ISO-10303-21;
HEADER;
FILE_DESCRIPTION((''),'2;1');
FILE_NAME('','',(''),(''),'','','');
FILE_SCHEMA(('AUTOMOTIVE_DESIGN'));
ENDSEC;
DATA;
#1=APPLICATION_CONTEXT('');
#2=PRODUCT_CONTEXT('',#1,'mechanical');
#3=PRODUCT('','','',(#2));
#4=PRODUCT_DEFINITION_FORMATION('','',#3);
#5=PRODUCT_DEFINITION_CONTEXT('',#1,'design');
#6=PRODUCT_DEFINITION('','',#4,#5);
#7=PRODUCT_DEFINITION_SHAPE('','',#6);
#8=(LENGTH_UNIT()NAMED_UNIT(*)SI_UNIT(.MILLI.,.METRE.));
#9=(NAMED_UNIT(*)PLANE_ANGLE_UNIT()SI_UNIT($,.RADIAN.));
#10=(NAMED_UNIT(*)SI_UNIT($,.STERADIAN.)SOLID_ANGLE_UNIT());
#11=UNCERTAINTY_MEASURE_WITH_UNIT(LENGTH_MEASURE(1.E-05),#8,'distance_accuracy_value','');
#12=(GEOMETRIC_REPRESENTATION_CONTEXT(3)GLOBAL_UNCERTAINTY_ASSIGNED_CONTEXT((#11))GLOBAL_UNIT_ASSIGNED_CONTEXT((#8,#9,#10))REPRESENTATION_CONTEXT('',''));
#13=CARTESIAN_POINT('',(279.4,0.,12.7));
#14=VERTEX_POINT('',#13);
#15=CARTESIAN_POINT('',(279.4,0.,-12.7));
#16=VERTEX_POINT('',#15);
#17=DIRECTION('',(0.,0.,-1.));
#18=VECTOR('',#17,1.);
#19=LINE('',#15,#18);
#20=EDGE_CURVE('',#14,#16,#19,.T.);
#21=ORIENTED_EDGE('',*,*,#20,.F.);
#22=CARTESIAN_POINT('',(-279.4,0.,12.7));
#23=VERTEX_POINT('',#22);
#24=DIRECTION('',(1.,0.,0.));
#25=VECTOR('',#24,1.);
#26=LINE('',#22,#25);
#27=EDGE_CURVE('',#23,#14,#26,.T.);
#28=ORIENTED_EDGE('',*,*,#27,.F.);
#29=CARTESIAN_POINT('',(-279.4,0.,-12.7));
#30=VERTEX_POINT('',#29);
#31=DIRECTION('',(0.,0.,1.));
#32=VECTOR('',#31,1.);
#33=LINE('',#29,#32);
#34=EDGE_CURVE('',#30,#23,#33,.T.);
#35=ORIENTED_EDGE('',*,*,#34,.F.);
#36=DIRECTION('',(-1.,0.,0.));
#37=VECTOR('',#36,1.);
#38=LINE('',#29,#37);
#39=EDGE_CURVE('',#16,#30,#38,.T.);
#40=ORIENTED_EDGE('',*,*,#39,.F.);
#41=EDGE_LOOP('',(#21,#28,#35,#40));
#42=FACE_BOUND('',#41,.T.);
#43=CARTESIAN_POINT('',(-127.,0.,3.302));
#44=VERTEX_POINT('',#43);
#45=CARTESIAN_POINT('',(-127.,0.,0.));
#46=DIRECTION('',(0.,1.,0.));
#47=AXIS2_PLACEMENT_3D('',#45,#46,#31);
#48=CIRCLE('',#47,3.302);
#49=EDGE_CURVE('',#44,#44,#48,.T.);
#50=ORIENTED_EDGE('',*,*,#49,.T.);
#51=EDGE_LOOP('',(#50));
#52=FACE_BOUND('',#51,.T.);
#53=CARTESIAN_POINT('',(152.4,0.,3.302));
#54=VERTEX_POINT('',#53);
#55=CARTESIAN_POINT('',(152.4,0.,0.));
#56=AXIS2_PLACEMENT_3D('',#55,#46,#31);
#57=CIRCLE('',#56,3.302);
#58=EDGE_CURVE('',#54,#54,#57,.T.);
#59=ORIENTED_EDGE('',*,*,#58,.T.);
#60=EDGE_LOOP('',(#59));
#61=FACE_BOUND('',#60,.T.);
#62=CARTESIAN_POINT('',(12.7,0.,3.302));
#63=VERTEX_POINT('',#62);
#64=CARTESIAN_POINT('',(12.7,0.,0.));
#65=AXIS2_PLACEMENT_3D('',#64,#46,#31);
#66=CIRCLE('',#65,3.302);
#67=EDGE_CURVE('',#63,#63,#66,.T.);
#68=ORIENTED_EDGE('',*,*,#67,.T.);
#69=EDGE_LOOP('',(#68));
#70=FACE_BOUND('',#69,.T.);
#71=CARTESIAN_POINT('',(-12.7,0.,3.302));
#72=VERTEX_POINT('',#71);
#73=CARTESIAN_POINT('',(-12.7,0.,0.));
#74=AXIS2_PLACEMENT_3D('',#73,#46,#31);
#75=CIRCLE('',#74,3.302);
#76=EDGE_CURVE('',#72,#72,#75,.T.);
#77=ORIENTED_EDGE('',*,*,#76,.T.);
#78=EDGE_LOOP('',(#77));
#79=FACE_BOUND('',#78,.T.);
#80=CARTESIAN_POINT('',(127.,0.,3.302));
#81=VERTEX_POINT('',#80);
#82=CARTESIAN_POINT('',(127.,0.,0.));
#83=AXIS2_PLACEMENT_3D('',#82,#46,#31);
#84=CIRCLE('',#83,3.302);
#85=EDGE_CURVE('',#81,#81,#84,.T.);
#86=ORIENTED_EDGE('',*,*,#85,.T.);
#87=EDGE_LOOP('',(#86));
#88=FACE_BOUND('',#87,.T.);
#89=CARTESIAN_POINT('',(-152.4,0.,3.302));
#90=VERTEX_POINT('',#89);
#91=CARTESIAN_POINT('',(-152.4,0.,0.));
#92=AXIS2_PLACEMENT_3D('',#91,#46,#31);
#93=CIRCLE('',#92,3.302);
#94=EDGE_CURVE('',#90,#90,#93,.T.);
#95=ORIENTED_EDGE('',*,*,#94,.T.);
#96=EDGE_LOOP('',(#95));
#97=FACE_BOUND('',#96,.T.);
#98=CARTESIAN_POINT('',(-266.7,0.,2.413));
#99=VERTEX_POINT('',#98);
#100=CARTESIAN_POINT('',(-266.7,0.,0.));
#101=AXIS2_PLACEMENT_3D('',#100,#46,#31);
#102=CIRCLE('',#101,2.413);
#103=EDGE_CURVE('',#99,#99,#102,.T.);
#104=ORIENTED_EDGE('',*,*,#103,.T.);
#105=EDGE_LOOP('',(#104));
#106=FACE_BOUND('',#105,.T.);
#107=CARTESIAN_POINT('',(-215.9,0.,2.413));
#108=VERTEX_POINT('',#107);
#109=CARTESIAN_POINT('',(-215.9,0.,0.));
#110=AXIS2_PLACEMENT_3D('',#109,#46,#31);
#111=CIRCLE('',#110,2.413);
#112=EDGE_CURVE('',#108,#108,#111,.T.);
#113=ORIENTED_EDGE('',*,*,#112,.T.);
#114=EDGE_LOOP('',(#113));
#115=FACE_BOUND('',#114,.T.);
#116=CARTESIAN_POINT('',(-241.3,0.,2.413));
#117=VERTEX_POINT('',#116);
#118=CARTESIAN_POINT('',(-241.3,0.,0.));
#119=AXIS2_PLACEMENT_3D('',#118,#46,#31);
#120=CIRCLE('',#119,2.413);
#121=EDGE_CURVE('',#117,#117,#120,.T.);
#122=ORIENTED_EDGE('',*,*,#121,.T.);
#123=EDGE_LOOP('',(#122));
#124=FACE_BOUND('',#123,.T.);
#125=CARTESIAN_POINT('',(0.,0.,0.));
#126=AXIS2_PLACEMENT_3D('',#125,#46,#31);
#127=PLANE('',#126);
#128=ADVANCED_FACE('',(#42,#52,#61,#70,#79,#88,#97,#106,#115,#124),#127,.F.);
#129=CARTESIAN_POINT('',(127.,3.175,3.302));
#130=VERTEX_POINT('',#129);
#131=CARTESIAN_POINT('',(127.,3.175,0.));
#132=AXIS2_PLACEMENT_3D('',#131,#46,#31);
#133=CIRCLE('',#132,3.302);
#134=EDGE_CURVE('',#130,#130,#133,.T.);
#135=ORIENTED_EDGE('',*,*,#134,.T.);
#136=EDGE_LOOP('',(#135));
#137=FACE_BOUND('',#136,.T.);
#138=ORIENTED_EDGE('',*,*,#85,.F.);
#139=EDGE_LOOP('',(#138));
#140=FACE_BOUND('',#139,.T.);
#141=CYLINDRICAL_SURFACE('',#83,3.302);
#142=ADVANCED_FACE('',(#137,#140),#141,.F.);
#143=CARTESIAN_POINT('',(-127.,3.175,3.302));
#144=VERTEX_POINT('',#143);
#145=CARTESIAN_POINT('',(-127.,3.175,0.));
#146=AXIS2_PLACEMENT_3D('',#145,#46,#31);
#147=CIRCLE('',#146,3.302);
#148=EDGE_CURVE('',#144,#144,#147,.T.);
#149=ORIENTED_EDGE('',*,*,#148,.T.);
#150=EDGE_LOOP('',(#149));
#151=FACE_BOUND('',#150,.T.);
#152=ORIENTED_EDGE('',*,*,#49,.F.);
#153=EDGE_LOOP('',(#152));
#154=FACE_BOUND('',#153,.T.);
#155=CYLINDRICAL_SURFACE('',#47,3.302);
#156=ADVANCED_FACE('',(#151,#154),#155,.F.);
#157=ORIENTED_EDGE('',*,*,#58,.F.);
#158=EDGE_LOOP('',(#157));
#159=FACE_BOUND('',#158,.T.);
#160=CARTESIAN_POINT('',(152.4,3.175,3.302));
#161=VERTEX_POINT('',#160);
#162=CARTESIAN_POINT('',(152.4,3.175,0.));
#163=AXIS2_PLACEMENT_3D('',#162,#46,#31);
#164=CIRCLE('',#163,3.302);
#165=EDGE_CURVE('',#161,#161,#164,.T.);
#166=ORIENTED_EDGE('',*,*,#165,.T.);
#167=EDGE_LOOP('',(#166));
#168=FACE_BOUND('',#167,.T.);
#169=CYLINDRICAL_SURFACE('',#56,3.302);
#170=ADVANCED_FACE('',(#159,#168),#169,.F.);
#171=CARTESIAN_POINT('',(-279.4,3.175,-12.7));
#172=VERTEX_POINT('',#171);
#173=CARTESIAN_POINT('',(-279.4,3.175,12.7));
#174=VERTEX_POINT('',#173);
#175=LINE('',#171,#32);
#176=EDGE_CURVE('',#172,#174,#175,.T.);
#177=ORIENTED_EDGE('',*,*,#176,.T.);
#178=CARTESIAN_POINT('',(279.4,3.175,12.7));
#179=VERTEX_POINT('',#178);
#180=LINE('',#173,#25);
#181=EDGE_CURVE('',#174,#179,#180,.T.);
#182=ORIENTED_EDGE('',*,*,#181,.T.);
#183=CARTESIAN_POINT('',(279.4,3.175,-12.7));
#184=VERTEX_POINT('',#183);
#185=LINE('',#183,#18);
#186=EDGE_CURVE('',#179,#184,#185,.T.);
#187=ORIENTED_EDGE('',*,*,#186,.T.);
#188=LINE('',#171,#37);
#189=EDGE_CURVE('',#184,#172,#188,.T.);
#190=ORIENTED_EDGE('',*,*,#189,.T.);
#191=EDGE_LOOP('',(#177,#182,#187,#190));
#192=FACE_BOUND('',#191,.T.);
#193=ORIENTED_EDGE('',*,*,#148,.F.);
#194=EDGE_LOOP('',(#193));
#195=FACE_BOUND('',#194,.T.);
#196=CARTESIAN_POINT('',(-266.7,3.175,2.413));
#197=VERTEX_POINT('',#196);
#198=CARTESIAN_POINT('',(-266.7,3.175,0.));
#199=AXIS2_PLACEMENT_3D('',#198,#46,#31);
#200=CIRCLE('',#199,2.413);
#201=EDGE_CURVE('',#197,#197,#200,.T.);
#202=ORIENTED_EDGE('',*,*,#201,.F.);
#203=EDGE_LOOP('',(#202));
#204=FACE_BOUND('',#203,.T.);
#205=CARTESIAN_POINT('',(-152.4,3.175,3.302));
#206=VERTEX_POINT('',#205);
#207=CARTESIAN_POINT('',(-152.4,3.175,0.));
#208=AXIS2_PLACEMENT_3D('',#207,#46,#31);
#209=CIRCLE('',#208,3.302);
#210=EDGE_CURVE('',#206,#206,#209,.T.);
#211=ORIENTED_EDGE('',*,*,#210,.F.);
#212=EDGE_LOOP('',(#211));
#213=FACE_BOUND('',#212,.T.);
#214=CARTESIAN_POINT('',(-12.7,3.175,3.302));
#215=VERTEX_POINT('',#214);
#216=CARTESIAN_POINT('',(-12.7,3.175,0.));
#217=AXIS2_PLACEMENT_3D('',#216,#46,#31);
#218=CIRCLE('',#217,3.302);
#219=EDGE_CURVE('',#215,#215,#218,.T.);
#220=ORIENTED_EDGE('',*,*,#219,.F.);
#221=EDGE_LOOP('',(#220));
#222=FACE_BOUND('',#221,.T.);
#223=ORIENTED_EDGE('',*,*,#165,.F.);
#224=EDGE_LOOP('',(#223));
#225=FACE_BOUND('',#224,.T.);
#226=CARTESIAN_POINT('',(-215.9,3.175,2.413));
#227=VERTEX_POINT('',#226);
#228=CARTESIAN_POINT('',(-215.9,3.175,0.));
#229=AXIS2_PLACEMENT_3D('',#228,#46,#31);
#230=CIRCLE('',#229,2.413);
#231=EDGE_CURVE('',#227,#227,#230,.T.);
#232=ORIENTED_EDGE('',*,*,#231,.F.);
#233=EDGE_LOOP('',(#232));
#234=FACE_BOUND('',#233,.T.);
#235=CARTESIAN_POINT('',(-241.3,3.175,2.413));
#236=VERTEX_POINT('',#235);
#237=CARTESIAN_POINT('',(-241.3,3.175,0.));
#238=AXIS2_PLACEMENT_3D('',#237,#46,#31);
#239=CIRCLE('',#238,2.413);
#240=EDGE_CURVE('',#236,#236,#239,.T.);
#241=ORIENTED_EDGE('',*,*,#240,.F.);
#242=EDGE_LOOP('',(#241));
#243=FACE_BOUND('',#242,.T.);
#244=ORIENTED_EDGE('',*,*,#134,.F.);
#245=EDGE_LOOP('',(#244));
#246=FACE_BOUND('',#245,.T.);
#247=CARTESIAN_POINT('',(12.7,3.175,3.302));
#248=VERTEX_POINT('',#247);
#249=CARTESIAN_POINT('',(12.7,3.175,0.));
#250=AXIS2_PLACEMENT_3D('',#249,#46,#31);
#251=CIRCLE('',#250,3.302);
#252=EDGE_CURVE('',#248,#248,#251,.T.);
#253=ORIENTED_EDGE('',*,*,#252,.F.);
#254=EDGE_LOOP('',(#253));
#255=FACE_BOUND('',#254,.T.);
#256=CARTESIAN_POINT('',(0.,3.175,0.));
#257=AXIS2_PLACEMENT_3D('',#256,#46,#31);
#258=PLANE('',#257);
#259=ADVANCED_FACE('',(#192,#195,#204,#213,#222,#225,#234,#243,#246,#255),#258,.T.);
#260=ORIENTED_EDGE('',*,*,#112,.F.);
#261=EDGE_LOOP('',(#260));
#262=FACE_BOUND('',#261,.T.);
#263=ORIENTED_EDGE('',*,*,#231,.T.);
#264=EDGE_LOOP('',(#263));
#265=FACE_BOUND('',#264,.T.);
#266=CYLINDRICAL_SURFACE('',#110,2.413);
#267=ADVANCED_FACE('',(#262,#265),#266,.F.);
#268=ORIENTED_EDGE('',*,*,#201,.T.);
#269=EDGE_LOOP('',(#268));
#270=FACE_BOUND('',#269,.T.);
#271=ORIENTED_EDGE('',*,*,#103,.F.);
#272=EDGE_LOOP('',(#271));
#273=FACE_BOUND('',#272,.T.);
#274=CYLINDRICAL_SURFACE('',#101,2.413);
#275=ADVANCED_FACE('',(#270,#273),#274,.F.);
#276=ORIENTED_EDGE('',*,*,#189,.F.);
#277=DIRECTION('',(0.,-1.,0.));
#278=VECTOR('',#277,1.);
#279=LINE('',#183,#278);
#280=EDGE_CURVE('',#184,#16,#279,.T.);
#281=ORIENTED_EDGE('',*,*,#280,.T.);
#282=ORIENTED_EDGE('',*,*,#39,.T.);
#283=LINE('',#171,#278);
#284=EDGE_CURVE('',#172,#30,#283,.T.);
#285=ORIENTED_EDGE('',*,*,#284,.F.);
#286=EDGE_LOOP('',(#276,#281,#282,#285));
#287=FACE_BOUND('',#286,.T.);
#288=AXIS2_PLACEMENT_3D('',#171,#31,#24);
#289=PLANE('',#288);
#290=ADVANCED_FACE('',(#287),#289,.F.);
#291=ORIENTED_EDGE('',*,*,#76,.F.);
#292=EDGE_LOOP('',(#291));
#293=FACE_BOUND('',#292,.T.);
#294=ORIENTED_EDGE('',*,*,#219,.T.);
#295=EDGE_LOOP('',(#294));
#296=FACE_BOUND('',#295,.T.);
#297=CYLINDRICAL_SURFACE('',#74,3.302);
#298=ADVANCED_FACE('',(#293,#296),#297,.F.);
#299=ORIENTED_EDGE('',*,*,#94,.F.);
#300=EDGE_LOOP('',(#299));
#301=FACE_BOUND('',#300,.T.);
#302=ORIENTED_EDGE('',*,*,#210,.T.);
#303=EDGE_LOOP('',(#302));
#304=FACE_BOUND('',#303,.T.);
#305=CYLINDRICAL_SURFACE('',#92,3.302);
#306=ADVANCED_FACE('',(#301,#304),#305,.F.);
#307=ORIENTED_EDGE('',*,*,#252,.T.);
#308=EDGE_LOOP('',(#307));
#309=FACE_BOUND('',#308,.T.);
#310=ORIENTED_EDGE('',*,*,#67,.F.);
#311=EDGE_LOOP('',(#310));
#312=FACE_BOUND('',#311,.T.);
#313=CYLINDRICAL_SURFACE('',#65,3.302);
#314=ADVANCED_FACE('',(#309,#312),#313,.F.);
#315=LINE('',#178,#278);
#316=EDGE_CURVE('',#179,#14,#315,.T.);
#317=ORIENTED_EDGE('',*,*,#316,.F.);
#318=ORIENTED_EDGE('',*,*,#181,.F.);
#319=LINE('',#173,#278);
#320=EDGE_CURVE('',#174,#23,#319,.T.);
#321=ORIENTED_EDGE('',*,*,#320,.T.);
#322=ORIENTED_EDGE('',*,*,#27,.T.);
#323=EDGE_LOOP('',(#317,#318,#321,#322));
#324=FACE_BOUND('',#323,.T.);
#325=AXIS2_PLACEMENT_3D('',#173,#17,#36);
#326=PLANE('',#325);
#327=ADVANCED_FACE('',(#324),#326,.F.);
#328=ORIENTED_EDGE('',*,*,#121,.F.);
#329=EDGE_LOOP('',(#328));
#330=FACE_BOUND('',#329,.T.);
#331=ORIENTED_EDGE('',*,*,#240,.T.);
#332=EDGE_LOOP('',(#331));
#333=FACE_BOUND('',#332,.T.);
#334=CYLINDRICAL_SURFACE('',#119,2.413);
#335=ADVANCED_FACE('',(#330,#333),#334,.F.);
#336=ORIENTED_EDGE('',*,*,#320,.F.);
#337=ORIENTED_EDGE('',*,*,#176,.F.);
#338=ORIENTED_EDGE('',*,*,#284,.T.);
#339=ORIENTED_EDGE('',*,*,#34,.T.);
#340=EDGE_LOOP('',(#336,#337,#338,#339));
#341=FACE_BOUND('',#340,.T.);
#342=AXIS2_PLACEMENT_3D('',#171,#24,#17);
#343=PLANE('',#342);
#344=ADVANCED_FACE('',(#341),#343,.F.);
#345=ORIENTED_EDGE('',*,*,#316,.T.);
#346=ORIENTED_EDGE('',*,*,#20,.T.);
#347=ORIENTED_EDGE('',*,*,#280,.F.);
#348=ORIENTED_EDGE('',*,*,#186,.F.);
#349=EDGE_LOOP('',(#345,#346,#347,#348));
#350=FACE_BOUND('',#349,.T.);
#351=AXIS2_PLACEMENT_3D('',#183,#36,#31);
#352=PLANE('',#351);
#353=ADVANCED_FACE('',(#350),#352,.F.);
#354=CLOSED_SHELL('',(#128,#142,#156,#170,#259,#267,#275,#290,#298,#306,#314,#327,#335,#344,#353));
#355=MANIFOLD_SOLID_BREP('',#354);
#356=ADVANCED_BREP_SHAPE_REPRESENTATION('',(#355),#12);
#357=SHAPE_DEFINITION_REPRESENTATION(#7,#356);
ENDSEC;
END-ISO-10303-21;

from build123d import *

# Parameters (mm, degrees)
SKETCH1_W           = 558.8
SKETCH1_H           = 25.4
BOSS_EXTRUDE1_DEPTH = 3.175
SKETCH2_R           = 2.413
CUT_EXTRUDE1_DEPTH  = 280.706508013
SKETCH3_R           = 3.302
CUT_EXTRUDE2_DEPTH  = 280.706508013


with BuildPart() as part:
    # Sketch1 → Boss-Extrude1 (new body)
    with BuildSketch(Plane(origin=(0, 0, 0), x_dir=(1, 0, 0), z_dir=(0, 1, 0))):
        Rectangle(SKETCH1_W, SKETCH1_H)
    extrude(amount=BOSS_EXTRUDE1_DEPTH)

    # Sketch2 → Cut-Extrude1 (cut, through all)
    with BuildSketch(Plane(origin=(0, 3.175, 0), x_dir=(1, 0, 0), z_dir=(0, 1, 0))):
        with Locations(Location((-266.7, 0, 0), (0, 0, 270))):
            Circle(SKETCH2_R)
        with Locations(Location((-241.3, 0, 0), (0, 0, 270))):
            Circle(SKETCH2_R)
        with Locations(Location((-215.9, 0, 0), (0, 0, 270))):
            Circle(SKETCH2_R)
    extrude(amount=-CUT_EXTRUDE1_DEPTH, mode=Mode.SUBTRACT)

    # Sketch3 → Cut-Extrude2 (cut, through all)
    with BuildSketch(Plane(origin=(0, 3.175, 0), x_dir=(1, 0, 0), z_dir=(0, 1, 0))):
        with Locations(Location((-152.4, 0, 0), (0, 0, 270))):
            Circle(SKETCH3_R)
        with Locations(Location((-127, 0, 0), (0, 0, 270))):
            Circle(SKETCH3_R)
        with Locations(Location((-12.7, 0, 0), (0, 0, 270))):
            Circle(SKETCH3_R)
        with Locations(Location((12.7, 0, 0), (0, 0, 270))):
            Circle(SKETCH3_R)
        with Locations(Location((127, 0, 0), (0, 0, 270))):
            Circle(SKETCH3_R)
        with Locations(Location((152.4, 0, 0), (0, 0, 270))):
            Circle(SKETCH3_R)
    extrude(amount=-CUT_EXTRUDE2_DEPTH, mode=Mode.SUBTRACT)


solid = part.part
